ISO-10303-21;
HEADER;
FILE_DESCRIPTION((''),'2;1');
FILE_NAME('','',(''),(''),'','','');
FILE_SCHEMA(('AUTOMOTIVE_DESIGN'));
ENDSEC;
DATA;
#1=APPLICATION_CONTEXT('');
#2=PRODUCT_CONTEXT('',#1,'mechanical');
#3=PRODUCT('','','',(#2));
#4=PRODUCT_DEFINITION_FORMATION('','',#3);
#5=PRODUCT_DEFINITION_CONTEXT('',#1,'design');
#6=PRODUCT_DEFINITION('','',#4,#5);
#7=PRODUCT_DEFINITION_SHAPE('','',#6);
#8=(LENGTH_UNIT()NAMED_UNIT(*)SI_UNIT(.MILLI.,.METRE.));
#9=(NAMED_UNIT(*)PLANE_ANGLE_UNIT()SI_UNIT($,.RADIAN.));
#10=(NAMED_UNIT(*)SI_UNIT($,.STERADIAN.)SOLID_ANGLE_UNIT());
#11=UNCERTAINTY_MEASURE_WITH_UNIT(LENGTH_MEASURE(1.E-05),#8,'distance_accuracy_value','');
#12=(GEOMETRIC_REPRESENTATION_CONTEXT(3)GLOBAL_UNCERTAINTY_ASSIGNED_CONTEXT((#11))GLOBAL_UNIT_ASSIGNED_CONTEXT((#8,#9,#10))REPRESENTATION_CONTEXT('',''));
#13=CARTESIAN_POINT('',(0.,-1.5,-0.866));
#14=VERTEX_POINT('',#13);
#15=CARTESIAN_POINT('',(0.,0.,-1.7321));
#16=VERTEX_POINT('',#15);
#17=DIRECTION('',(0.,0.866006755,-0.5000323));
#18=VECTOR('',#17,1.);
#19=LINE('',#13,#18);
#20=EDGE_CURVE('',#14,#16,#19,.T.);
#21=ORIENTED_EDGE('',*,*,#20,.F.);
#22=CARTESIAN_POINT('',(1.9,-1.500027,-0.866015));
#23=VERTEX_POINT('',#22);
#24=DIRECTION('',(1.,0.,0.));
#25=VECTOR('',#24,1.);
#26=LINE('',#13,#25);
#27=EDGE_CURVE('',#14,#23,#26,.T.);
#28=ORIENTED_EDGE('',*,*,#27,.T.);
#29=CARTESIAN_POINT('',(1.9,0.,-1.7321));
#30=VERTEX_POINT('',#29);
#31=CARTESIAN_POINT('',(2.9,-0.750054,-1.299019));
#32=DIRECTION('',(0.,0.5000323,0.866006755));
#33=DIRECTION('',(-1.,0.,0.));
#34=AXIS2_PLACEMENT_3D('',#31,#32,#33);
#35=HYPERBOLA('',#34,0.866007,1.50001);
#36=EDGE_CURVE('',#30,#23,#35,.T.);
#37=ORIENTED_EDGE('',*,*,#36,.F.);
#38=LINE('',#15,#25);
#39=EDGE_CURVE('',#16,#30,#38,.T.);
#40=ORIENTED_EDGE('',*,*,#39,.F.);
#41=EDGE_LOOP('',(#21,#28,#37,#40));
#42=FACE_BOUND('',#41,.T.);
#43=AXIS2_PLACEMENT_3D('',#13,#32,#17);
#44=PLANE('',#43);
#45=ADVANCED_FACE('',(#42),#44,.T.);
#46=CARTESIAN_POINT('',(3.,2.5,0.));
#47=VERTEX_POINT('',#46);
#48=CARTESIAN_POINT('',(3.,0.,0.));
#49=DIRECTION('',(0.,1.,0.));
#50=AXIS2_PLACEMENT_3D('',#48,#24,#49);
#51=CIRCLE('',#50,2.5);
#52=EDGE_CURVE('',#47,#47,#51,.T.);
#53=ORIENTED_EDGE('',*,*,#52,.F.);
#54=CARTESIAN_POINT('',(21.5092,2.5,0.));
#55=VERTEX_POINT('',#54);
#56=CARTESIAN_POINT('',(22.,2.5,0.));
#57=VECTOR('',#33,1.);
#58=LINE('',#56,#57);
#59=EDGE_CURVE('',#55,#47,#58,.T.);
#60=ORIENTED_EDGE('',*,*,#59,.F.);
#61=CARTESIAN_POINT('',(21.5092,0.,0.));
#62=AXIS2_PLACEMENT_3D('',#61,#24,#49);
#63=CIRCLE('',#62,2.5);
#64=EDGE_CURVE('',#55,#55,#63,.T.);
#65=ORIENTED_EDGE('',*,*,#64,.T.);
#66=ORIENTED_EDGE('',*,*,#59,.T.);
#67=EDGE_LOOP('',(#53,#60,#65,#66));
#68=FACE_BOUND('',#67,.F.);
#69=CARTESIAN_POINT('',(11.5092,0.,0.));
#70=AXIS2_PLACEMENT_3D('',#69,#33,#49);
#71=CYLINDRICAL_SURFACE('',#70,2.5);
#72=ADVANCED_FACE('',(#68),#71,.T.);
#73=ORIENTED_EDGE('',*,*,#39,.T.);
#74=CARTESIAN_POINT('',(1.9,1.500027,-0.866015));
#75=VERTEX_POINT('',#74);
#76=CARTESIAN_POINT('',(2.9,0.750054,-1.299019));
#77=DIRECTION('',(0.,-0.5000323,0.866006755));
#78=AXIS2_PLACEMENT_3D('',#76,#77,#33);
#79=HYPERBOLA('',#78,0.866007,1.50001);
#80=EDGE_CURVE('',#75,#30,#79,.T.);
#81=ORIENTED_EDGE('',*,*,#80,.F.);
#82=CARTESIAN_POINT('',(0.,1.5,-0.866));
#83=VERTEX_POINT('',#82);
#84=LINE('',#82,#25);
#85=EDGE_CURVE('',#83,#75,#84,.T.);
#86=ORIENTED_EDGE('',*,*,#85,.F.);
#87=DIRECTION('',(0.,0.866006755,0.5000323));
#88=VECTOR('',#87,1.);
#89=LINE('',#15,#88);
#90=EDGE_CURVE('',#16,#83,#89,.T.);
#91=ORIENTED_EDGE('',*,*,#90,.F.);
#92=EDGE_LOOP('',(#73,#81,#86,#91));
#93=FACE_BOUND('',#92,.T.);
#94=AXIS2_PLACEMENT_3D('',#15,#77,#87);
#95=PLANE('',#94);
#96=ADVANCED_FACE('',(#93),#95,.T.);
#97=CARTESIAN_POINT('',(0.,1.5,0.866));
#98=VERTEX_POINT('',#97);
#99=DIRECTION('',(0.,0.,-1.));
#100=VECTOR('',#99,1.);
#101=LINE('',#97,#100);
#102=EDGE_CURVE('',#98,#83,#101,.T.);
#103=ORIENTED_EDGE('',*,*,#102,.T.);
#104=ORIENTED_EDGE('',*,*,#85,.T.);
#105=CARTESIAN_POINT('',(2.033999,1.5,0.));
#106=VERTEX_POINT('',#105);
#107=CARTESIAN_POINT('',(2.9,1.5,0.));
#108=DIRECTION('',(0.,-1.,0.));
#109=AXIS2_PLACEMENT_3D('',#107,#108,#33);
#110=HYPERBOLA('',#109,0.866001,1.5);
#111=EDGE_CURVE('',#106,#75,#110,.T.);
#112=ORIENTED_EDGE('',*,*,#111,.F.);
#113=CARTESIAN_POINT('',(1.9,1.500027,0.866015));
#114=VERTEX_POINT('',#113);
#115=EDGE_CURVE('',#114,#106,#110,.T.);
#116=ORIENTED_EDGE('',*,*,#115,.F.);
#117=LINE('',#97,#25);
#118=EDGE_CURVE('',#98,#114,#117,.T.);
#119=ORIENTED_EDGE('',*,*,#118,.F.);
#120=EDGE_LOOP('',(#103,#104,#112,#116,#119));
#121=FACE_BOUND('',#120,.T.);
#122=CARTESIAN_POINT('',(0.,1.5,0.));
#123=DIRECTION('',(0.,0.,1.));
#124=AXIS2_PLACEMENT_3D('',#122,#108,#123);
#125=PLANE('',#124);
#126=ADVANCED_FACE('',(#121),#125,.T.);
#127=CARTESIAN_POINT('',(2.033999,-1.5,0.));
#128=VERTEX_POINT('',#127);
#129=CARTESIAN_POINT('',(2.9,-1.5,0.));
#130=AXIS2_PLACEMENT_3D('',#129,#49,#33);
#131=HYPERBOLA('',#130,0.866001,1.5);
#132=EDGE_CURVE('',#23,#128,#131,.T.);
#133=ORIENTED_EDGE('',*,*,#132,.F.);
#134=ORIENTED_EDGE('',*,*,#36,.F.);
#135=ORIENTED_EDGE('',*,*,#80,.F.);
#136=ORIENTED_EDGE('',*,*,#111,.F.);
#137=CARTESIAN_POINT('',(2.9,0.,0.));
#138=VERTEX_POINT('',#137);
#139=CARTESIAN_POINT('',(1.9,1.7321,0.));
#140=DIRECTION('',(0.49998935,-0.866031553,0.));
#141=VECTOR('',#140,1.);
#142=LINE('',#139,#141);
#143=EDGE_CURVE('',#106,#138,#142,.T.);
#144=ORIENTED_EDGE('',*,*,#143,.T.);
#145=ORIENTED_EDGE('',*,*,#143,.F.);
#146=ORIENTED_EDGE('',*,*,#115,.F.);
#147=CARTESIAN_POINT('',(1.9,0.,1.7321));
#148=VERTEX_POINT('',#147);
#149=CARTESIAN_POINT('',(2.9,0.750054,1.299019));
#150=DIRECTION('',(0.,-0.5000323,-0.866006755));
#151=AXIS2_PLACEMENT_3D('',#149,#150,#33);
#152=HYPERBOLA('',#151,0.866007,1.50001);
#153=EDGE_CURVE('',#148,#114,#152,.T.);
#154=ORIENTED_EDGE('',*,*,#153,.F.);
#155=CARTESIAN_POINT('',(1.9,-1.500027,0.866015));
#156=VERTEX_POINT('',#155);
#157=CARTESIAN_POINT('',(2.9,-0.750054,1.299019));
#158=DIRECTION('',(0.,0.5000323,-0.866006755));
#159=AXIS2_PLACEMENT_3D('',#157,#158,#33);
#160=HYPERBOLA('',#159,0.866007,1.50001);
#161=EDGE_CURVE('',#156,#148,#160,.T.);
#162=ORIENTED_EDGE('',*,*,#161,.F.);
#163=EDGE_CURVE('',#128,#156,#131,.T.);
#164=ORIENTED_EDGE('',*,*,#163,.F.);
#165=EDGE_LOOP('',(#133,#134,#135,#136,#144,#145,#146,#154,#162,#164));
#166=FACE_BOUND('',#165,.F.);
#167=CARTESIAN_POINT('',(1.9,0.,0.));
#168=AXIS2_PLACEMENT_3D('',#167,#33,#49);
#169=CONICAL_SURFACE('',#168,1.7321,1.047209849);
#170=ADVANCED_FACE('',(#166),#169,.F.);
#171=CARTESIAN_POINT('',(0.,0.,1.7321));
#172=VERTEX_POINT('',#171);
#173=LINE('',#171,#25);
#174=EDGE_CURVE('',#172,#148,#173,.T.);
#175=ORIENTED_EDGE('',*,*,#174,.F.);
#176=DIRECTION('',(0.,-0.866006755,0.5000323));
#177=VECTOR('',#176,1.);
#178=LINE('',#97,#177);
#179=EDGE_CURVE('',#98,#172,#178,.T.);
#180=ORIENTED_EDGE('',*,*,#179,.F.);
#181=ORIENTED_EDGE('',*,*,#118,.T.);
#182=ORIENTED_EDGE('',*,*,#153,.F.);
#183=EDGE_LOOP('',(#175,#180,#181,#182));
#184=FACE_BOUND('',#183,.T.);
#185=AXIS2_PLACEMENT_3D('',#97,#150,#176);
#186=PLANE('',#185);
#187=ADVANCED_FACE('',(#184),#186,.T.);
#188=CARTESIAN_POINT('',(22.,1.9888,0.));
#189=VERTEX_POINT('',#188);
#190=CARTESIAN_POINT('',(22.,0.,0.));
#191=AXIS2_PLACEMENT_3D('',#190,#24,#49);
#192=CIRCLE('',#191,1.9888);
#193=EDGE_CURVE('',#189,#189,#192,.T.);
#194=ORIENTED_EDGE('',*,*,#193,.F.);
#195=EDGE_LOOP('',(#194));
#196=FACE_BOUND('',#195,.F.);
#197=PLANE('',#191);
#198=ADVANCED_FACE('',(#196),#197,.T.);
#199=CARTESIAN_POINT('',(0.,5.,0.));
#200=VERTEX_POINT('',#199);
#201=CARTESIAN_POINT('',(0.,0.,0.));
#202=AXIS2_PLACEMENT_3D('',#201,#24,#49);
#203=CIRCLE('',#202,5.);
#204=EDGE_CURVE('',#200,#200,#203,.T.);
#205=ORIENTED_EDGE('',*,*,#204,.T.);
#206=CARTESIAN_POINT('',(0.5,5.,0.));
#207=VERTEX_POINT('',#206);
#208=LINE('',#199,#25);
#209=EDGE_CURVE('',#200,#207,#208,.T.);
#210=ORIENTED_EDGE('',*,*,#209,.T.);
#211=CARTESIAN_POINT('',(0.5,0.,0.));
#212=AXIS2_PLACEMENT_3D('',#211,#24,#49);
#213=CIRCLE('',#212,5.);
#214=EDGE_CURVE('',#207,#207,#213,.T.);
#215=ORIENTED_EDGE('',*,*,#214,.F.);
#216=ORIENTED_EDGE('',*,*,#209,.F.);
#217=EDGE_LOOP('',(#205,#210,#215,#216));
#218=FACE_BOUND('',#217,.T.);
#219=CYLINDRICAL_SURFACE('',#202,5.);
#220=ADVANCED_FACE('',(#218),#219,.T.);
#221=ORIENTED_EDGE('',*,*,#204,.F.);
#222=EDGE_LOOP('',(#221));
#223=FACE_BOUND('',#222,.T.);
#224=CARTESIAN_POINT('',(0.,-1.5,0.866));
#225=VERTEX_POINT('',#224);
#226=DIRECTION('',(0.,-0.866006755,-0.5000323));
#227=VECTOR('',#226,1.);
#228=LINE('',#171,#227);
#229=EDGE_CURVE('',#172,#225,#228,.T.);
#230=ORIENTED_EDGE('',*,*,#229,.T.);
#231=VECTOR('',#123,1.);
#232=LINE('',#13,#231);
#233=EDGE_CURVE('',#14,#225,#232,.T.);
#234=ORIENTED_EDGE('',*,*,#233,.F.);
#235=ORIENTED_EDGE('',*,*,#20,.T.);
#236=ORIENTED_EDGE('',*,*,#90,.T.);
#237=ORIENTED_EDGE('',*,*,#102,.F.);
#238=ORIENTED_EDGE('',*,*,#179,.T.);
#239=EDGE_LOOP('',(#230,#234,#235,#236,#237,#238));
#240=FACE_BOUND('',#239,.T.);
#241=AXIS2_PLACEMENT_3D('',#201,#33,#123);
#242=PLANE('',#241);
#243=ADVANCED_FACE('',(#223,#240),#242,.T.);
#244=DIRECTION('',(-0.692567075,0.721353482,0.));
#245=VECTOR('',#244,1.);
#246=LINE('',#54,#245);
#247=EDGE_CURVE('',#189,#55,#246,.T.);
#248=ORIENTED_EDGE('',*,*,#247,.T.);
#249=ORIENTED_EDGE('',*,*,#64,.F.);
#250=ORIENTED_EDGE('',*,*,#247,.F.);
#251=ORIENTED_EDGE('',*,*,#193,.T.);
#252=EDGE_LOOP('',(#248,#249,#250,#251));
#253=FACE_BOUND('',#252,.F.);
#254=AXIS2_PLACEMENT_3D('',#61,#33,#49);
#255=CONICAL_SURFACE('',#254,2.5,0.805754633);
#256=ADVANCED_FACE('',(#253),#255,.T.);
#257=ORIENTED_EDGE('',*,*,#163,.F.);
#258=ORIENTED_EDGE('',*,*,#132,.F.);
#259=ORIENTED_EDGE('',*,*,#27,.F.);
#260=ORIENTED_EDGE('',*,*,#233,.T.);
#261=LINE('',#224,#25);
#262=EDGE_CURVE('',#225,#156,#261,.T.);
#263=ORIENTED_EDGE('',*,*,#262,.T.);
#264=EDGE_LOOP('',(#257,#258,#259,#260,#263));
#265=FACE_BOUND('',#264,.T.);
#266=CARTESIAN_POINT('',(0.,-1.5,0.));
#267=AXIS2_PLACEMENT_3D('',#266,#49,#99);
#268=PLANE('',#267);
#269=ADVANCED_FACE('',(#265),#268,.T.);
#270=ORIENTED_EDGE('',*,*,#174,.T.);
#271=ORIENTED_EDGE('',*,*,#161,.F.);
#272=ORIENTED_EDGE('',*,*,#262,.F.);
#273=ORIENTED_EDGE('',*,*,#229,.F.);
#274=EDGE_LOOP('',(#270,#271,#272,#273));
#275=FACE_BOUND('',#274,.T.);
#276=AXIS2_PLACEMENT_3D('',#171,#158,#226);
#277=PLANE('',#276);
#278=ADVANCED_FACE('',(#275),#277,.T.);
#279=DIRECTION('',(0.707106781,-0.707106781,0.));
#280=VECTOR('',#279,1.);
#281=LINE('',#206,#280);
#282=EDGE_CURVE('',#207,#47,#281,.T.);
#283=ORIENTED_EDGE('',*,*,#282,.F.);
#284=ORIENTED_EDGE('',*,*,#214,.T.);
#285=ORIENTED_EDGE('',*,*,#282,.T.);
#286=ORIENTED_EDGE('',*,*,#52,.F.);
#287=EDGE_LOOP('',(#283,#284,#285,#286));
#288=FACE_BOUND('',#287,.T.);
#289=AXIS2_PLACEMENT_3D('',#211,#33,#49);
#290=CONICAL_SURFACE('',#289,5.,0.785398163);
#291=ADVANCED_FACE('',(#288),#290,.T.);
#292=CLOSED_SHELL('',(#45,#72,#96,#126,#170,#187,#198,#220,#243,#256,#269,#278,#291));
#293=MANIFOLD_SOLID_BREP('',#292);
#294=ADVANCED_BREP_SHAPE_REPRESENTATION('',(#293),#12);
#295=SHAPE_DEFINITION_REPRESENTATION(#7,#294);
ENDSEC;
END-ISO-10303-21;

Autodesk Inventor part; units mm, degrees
ref_plane "YZ Plane" through (0, 0, 0) normal (1, 0, 0) x (0, 1, 0)
ref_plane "XZ Plane" through (0, 0, 0) normal (0, 1, 0) x (-1, 0, 0)
sketch "Sketch1" plane through (0, 0, 0) normal (0, 0, 1) x (1, 0, 0)
  line L0 (22, 0) -> (22, 2.5)
  line L1 (22, 2.5) -> (12, 2.5)
  line L2 (12, 2.5) -> (11.5092, 2.5)
  line L3 (0, 5) -> (0, 1.7321)
  line L4 (0, 1.7321) -> (1.9, 1.7321)
  line L5 (1.9, 1.7321) -> (2.9, 0)
  line L6 (2.9, 0) -> (22, 0)
  line L7 (0, 5) -> (0.5, 5)
  line L8 (0.5, 5) -> (3, 2.5)
  line L9 (11.5092, 2.5) -> (3, 2.5)
  line L10 (12, 2.5) -> (3, 2.5) construction
  line L11 (3, 2.5) -> (3, 2.5)
  line L12 (-4.4, 0) -> (26.4, 0) projected
  line L13 (0, -1) -> (0, 6) projected
  dimension "d0" = 22
  dimension "d1" = 10
  dimension "d2" = 1.9
  dimension "d3" = 5
  dimension "d6" = 3
  dimension "d7" = 45
  dimension "d8" = 3.4641
  dimension "d9" = 60
  dimension "d10" = 10
  dimension "d11" = 5
  dimension "d12" = 0.4908
revolve "Body" add sketch "Sketch1" angle 360 about axis through (2.9, 0, 0) along (1, 0, 0) contours L6 L5 L4 L3 L7 L8 L9 L2 L1 L0
sketch "Sketch2" plane through (0, 0, 0) normal (-1, 0, 0) x (0, 0, 1)
  circle A0 centre (0, 0) radius 1.7321 projected
  line L0 (0, -7) -> (0, 7) projected
  line L1 (-7, 0) -> (7, 0) projected
  line L2 (1.7321, 0) -> (0.866, -1.5)
  line L3 (0.866, -1.5) -> (-0.866, -1.5)
  line L4 (-0.866, -1.5) -> (-1.7321, 0)
  line L5 (-1.7321, 0) -> (-0.866, 1.5)
  line L6 (-0.866, 1.5) -> (0.866, 1.5)
  line L7 (0.866, 1.5) -> (1.7321, 0)
  point P0 (0, 1.7321)
extrude "Slot" add sketch "Sketch2" against normal up to next contours L7 A0 | A0 L2 | L6 L0 A0 | A0 L0 L3 | L0 L6 A0 | A0 L3 L0 | L4 A0 | A0 L5
thread "Thread" size "M5x0.8" class "6g" standard "ISO Metric profile" length 22
chamfer "Chamfer1" distance 0.5112 distance2 0.4908 1 edges at (22, -2.5, 0) measured on face at (22, 0.4809, 1.1324)
ref_plane "Work Plane1" through (104.775, 0, 0) normal (0, 0, -1) x (1, 0, 0)
equation "\"d15\" = GEL"
equation "\"d17\" = -0.5 * SPD + 0.5 * GD"
equation "\"d18\" = GUL"
equation "\"d2\" = INTI"
equation "\"d3\" = GD"
equation "\"d7\" = 0.5 * SEWI"
equation "\"d8\" = 1.1547 * SW"
equation "\"d11\" = BDM"
equation "\"d12\" = GAL"
equation "\"INTI\" = 1.9"
equation "\"GEL\" = 22"
equation "\"GAL\" = 0.61345 * PTC"
equation "\"KOH\" = 3.1"
equation "\"KOD\" = 9.75"
equation "\"GUL\" = 0.61345 * PTC"
equation "\"SPD\" = 3.97758"
equation "\"BDM\" = NND"
equation "\"GD\" = NND"
equation "\"SEWI\" = 90deg"
equation "\"SW\" = 3"
equation "\"TOA\" = 30deg"
equation "\"GD1\" = THREADDIA - 1.2269 * PTC"
equation "\"EPV\" = 4.875"
equation "\"THREADDIA\" = 5"
equation "\"PTC\" = 0.8"
equation "\"NND\" = 5"
equation "\"E0\" = 1.155 * SW"
properties part number "ANSI/IFI 535 - M5x0.8 x 40, FHSFCHCSM" material "Steel, Mild"
